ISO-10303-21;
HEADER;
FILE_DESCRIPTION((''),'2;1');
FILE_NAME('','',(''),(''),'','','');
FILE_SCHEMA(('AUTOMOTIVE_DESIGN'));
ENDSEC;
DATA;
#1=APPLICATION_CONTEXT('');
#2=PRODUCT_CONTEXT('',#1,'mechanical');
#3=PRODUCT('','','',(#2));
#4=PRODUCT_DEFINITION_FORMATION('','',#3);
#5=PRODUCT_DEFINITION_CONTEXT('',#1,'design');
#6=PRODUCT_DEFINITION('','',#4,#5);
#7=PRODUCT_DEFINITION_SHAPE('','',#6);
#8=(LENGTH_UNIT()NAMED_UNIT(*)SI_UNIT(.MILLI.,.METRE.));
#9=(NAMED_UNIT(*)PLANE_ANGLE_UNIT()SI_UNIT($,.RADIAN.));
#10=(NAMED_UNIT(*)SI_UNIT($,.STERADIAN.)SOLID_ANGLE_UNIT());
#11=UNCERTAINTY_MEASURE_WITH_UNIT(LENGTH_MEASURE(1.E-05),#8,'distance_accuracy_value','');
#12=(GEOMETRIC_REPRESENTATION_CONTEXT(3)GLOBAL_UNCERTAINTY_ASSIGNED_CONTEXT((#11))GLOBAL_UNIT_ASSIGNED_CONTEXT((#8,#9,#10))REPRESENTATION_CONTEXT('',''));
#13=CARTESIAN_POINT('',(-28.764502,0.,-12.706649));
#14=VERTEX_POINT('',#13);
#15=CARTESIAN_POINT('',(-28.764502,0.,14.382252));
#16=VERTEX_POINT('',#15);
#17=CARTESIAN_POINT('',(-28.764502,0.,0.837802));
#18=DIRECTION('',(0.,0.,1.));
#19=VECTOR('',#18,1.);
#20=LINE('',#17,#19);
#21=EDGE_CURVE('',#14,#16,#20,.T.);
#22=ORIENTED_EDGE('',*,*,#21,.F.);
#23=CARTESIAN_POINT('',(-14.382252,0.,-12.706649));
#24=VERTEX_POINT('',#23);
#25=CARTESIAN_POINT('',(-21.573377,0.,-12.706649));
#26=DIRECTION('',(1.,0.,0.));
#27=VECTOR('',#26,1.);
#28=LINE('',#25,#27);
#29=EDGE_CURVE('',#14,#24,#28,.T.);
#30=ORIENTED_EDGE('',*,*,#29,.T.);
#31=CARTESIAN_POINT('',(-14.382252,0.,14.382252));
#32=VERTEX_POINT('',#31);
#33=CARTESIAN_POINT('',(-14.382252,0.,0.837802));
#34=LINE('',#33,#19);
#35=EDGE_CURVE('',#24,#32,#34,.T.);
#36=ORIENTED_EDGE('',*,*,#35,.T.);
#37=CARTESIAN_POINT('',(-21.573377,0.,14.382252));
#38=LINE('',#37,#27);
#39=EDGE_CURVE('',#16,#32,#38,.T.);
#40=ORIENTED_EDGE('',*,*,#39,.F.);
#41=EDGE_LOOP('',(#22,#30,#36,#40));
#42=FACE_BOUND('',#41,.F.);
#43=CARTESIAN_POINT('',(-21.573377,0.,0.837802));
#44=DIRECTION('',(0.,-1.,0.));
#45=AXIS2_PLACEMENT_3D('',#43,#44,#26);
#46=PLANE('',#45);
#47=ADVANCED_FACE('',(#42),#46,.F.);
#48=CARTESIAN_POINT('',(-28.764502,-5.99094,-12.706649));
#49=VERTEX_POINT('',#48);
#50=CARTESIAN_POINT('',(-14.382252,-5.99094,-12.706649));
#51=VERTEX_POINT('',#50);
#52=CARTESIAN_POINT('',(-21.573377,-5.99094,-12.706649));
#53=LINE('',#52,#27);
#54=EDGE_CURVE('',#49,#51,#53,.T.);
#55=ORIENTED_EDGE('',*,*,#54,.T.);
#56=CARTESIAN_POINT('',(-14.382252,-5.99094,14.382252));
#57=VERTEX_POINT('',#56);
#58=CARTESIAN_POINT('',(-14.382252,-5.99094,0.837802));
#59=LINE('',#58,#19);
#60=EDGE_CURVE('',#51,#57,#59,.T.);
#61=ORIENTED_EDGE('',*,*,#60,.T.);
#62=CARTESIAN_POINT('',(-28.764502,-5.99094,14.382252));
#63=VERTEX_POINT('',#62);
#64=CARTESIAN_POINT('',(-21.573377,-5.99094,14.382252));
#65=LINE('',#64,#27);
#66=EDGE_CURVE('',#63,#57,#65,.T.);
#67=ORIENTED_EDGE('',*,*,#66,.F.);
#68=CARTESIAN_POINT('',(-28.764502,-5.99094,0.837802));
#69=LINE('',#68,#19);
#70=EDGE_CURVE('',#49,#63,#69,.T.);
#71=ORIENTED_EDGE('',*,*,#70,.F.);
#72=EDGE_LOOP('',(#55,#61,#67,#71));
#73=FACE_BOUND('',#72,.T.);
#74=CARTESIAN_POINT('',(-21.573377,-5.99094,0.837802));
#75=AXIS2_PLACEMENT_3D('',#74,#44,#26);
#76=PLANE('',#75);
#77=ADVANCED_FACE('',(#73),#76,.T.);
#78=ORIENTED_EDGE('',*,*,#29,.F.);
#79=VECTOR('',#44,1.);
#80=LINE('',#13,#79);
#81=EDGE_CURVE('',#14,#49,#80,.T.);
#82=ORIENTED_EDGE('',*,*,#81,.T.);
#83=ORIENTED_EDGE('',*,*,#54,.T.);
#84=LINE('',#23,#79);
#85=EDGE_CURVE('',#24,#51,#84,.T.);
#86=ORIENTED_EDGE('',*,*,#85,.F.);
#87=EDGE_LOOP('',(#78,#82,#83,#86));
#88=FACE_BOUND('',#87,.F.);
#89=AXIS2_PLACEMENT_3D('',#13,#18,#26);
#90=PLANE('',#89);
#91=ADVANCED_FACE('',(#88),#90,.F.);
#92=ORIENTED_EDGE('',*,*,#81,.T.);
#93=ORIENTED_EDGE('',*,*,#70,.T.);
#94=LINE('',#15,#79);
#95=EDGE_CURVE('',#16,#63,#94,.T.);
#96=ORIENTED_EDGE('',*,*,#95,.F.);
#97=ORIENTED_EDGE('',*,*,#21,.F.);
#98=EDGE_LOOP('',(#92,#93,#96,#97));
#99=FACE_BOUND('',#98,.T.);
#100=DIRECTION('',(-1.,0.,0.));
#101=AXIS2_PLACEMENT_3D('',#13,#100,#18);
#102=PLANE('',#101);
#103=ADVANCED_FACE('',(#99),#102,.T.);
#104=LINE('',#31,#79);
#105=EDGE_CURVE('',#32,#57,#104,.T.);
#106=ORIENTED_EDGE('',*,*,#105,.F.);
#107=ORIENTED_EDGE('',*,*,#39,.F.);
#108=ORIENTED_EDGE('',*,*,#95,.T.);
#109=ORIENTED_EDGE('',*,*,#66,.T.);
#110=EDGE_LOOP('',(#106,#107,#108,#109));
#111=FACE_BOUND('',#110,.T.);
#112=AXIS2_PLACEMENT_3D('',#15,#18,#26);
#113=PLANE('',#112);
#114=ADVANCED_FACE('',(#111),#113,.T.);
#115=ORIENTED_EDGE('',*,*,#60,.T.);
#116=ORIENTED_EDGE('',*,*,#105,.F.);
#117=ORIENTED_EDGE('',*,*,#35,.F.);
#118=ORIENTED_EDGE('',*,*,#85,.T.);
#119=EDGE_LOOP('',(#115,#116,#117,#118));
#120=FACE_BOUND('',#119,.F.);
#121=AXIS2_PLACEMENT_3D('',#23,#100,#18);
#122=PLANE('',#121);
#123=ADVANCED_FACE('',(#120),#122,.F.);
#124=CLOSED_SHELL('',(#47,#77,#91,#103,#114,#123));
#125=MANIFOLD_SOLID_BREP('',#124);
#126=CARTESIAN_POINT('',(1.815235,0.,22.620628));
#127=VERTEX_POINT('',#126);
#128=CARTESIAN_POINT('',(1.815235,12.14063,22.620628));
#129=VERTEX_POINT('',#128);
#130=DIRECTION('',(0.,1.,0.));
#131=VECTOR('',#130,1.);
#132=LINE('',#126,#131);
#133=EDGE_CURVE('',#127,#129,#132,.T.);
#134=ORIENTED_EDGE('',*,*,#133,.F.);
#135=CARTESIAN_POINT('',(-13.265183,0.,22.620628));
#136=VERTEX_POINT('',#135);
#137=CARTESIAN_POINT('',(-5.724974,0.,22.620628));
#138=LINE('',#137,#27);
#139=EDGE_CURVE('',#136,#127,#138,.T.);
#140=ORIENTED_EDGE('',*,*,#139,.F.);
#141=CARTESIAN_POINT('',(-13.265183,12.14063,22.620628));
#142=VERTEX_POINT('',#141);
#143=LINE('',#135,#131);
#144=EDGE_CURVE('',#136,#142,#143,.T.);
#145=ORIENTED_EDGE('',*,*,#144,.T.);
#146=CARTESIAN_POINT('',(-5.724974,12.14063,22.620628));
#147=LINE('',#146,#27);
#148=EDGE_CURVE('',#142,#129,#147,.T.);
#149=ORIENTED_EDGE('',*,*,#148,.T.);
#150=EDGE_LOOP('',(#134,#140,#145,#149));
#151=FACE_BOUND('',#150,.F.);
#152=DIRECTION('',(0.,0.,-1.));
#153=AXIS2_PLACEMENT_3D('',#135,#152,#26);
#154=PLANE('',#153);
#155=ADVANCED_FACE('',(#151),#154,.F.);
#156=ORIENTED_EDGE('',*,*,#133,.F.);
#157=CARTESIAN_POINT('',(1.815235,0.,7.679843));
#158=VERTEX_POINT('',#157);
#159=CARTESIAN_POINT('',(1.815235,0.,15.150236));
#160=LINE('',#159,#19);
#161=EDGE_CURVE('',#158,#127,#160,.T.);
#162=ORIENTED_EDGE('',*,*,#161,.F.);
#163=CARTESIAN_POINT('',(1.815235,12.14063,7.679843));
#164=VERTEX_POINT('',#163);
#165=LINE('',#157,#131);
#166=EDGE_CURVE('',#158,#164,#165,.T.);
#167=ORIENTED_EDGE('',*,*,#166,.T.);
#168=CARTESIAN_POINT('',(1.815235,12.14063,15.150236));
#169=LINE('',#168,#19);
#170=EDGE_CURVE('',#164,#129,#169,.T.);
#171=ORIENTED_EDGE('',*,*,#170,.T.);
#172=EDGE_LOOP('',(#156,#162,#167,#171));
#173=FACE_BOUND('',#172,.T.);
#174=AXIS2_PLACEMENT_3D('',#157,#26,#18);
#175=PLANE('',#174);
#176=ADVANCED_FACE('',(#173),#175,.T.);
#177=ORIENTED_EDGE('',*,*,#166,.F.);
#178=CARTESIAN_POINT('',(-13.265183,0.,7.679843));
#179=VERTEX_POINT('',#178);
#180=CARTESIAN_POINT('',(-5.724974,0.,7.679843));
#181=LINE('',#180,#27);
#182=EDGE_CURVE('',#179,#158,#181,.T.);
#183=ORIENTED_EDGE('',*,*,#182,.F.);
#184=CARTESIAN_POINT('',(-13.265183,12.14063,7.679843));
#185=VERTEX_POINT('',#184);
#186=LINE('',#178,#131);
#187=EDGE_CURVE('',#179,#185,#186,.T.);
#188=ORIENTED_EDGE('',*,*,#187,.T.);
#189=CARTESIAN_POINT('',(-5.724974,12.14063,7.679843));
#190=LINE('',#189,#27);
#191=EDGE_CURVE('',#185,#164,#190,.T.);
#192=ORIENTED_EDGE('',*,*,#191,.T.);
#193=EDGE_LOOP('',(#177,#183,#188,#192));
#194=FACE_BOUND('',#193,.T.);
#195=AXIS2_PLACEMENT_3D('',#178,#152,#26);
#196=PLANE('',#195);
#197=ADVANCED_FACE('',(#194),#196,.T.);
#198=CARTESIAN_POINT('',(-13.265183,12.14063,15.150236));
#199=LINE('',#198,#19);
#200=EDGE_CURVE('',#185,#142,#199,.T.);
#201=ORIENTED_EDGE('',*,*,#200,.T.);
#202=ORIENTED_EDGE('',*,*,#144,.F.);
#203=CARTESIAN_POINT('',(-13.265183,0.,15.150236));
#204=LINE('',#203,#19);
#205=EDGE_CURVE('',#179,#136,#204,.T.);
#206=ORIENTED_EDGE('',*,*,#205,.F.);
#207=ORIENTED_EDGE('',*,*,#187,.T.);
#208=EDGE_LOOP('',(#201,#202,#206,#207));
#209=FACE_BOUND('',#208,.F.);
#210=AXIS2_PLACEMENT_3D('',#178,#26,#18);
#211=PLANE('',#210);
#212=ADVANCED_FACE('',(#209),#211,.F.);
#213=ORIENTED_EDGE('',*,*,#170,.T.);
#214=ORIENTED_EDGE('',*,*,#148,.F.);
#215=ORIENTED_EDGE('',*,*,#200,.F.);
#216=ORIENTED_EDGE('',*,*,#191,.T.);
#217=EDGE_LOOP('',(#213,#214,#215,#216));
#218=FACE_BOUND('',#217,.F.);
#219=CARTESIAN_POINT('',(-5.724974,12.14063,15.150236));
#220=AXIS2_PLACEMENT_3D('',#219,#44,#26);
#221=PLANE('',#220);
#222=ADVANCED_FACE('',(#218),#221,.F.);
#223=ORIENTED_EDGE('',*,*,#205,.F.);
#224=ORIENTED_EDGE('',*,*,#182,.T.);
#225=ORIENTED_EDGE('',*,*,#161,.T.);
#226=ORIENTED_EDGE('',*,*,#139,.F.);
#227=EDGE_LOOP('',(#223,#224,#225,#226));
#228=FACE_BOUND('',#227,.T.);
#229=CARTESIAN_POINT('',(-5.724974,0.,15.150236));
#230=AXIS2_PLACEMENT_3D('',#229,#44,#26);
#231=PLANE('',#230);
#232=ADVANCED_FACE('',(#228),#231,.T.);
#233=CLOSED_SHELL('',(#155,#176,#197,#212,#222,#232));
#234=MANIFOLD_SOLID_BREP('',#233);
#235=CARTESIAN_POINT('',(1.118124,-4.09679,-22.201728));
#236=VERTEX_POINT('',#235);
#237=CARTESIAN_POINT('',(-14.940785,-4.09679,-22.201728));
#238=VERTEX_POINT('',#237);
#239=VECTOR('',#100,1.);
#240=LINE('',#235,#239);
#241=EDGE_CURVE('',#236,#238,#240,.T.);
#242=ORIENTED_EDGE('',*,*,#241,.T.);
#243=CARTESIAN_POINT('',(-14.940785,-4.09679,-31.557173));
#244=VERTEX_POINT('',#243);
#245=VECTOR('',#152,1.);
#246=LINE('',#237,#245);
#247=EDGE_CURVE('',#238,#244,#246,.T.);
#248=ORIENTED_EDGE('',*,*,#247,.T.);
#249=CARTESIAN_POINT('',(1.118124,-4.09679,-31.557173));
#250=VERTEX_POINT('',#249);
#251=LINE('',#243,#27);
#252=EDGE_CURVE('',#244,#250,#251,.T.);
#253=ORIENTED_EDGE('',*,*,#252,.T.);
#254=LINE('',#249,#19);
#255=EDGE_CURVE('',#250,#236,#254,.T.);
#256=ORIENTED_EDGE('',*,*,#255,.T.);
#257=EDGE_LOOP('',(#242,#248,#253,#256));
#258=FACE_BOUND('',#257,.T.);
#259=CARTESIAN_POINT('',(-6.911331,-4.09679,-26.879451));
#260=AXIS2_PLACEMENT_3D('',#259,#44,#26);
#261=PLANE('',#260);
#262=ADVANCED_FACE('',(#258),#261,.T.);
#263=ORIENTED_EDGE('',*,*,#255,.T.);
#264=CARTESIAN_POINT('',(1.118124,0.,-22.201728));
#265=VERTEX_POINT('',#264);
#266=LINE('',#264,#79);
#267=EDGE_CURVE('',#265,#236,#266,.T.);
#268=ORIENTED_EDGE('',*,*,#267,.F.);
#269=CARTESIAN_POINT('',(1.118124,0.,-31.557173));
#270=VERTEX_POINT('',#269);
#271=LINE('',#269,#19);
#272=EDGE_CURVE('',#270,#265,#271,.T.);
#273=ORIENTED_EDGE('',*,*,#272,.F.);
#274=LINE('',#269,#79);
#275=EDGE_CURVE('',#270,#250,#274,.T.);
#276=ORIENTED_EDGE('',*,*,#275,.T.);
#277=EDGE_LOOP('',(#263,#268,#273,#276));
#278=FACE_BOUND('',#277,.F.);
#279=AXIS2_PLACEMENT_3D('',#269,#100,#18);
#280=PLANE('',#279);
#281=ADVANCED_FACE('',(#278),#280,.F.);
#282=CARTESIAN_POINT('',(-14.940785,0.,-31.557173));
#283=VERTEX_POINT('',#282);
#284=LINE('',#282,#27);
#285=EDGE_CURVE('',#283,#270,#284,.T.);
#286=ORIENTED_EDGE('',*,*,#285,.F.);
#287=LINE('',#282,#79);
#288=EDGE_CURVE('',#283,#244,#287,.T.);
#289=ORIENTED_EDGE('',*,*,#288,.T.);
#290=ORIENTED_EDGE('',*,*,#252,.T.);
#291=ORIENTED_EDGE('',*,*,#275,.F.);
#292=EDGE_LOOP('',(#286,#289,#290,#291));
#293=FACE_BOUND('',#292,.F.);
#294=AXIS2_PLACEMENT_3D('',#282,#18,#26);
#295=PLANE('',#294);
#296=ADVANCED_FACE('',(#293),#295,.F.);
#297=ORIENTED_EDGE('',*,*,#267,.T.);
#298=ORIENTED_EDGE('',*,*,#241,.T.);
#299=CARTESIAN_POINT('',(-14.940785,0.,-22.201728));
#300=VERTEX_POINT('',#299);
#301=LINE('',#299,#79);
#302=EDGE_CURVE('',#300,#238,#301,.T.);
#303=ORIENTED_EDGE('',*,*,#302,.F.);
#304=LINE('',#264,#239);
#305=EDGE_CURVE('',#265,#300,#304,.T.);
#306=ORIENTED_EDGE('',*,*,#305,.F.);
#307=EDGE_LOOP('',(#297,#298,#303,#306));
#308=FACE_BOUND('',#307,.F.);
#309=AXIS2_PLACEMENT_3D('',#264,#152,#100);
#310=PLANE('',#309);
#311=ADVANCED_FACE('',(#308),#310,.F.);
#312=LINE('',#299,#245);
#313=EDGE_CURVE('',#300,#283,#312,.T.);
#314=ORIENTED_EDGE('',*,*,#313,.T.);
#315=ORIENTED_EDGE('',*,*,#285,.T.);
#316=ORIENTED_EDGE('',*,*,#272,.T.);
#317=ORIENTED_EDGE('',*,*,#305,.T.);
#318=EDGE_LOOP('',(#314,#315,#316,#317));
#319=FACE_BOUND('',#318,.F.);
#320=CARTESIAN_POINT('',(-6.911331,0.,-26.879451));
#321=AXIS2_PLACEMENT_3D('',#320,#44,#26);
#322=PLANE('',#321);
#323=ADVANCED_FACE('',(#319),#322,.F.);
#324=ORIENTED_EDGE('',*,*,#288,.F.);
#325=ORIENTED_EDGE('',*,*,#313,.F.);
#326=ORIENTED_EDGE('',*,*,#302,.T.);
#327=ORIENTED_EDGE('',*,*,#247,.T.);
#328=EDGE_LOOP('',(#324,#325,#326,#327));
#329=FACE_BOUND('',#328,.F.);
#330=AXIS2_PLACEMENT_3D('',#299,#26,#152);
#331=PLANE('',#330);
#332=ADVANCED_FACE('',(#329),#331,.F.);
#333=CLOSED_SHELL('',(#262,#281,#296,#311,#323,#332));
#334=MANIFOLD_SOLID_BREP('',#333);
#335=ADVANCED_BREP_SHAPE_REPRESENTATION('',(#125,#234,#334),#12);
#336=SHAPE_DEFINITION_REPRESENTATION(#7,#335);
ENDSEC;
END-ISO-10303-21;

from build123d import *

# Parameters (mm, degrees)
F1_DEPTH = 4.09679
F2_W     = 15.080418
F2_H     = 14.940785
F4_DEPTH = 12.14063
F3_W     = 14.382251
F3_H     = 27.088901
F5_DEPTH = 5.99094
F6_W     = 3.21157
F6_H     = 3.071938
F7_DEPTH = 4.03607


with BuildPart() as f1:
    # F0 (on Front) → F1 (new body)
    with BuildSketch(Plane.XZ):
        Polygon((1.118124, -22.201728), (0, -22.201728), (-13.684084, -22.201728), (-14.940785, -22.201728), (-14.940785, -31.557173), (1.118124, -31.557173), align=None)
    extrude(amount=F1_DEPTH)

    # F6 (on Front) → F7 (join)
    with BuildSketch(Plane.XZ):
        with Locations((-3.141754, -25.692567)):
            Rectangle(F6_W, F6_H)
    extrude(amount=F7_DEPTH)


with BuildPart() as f4:
    # F2 (on Front) → F4 (new body)
    with BuildSketch(Plane.XZ):
        with Locations((-5.724974, 15.150236)):
            Rectangle(F2_W, F2_H)
    extrude(amount=-F4_DEPTH)


with BuildPart() as f5:
    # F3 (on Front) → F5 (new body)
    with BuildSketch(Plane.XZ):
        with Locations((-21.573377, 0.837802)):
            Rectangle(F3_W, F3_H)
    extrude(amount=F5_DEPTH)


solid = Compound([f1.part, f4.part, f5.part])
